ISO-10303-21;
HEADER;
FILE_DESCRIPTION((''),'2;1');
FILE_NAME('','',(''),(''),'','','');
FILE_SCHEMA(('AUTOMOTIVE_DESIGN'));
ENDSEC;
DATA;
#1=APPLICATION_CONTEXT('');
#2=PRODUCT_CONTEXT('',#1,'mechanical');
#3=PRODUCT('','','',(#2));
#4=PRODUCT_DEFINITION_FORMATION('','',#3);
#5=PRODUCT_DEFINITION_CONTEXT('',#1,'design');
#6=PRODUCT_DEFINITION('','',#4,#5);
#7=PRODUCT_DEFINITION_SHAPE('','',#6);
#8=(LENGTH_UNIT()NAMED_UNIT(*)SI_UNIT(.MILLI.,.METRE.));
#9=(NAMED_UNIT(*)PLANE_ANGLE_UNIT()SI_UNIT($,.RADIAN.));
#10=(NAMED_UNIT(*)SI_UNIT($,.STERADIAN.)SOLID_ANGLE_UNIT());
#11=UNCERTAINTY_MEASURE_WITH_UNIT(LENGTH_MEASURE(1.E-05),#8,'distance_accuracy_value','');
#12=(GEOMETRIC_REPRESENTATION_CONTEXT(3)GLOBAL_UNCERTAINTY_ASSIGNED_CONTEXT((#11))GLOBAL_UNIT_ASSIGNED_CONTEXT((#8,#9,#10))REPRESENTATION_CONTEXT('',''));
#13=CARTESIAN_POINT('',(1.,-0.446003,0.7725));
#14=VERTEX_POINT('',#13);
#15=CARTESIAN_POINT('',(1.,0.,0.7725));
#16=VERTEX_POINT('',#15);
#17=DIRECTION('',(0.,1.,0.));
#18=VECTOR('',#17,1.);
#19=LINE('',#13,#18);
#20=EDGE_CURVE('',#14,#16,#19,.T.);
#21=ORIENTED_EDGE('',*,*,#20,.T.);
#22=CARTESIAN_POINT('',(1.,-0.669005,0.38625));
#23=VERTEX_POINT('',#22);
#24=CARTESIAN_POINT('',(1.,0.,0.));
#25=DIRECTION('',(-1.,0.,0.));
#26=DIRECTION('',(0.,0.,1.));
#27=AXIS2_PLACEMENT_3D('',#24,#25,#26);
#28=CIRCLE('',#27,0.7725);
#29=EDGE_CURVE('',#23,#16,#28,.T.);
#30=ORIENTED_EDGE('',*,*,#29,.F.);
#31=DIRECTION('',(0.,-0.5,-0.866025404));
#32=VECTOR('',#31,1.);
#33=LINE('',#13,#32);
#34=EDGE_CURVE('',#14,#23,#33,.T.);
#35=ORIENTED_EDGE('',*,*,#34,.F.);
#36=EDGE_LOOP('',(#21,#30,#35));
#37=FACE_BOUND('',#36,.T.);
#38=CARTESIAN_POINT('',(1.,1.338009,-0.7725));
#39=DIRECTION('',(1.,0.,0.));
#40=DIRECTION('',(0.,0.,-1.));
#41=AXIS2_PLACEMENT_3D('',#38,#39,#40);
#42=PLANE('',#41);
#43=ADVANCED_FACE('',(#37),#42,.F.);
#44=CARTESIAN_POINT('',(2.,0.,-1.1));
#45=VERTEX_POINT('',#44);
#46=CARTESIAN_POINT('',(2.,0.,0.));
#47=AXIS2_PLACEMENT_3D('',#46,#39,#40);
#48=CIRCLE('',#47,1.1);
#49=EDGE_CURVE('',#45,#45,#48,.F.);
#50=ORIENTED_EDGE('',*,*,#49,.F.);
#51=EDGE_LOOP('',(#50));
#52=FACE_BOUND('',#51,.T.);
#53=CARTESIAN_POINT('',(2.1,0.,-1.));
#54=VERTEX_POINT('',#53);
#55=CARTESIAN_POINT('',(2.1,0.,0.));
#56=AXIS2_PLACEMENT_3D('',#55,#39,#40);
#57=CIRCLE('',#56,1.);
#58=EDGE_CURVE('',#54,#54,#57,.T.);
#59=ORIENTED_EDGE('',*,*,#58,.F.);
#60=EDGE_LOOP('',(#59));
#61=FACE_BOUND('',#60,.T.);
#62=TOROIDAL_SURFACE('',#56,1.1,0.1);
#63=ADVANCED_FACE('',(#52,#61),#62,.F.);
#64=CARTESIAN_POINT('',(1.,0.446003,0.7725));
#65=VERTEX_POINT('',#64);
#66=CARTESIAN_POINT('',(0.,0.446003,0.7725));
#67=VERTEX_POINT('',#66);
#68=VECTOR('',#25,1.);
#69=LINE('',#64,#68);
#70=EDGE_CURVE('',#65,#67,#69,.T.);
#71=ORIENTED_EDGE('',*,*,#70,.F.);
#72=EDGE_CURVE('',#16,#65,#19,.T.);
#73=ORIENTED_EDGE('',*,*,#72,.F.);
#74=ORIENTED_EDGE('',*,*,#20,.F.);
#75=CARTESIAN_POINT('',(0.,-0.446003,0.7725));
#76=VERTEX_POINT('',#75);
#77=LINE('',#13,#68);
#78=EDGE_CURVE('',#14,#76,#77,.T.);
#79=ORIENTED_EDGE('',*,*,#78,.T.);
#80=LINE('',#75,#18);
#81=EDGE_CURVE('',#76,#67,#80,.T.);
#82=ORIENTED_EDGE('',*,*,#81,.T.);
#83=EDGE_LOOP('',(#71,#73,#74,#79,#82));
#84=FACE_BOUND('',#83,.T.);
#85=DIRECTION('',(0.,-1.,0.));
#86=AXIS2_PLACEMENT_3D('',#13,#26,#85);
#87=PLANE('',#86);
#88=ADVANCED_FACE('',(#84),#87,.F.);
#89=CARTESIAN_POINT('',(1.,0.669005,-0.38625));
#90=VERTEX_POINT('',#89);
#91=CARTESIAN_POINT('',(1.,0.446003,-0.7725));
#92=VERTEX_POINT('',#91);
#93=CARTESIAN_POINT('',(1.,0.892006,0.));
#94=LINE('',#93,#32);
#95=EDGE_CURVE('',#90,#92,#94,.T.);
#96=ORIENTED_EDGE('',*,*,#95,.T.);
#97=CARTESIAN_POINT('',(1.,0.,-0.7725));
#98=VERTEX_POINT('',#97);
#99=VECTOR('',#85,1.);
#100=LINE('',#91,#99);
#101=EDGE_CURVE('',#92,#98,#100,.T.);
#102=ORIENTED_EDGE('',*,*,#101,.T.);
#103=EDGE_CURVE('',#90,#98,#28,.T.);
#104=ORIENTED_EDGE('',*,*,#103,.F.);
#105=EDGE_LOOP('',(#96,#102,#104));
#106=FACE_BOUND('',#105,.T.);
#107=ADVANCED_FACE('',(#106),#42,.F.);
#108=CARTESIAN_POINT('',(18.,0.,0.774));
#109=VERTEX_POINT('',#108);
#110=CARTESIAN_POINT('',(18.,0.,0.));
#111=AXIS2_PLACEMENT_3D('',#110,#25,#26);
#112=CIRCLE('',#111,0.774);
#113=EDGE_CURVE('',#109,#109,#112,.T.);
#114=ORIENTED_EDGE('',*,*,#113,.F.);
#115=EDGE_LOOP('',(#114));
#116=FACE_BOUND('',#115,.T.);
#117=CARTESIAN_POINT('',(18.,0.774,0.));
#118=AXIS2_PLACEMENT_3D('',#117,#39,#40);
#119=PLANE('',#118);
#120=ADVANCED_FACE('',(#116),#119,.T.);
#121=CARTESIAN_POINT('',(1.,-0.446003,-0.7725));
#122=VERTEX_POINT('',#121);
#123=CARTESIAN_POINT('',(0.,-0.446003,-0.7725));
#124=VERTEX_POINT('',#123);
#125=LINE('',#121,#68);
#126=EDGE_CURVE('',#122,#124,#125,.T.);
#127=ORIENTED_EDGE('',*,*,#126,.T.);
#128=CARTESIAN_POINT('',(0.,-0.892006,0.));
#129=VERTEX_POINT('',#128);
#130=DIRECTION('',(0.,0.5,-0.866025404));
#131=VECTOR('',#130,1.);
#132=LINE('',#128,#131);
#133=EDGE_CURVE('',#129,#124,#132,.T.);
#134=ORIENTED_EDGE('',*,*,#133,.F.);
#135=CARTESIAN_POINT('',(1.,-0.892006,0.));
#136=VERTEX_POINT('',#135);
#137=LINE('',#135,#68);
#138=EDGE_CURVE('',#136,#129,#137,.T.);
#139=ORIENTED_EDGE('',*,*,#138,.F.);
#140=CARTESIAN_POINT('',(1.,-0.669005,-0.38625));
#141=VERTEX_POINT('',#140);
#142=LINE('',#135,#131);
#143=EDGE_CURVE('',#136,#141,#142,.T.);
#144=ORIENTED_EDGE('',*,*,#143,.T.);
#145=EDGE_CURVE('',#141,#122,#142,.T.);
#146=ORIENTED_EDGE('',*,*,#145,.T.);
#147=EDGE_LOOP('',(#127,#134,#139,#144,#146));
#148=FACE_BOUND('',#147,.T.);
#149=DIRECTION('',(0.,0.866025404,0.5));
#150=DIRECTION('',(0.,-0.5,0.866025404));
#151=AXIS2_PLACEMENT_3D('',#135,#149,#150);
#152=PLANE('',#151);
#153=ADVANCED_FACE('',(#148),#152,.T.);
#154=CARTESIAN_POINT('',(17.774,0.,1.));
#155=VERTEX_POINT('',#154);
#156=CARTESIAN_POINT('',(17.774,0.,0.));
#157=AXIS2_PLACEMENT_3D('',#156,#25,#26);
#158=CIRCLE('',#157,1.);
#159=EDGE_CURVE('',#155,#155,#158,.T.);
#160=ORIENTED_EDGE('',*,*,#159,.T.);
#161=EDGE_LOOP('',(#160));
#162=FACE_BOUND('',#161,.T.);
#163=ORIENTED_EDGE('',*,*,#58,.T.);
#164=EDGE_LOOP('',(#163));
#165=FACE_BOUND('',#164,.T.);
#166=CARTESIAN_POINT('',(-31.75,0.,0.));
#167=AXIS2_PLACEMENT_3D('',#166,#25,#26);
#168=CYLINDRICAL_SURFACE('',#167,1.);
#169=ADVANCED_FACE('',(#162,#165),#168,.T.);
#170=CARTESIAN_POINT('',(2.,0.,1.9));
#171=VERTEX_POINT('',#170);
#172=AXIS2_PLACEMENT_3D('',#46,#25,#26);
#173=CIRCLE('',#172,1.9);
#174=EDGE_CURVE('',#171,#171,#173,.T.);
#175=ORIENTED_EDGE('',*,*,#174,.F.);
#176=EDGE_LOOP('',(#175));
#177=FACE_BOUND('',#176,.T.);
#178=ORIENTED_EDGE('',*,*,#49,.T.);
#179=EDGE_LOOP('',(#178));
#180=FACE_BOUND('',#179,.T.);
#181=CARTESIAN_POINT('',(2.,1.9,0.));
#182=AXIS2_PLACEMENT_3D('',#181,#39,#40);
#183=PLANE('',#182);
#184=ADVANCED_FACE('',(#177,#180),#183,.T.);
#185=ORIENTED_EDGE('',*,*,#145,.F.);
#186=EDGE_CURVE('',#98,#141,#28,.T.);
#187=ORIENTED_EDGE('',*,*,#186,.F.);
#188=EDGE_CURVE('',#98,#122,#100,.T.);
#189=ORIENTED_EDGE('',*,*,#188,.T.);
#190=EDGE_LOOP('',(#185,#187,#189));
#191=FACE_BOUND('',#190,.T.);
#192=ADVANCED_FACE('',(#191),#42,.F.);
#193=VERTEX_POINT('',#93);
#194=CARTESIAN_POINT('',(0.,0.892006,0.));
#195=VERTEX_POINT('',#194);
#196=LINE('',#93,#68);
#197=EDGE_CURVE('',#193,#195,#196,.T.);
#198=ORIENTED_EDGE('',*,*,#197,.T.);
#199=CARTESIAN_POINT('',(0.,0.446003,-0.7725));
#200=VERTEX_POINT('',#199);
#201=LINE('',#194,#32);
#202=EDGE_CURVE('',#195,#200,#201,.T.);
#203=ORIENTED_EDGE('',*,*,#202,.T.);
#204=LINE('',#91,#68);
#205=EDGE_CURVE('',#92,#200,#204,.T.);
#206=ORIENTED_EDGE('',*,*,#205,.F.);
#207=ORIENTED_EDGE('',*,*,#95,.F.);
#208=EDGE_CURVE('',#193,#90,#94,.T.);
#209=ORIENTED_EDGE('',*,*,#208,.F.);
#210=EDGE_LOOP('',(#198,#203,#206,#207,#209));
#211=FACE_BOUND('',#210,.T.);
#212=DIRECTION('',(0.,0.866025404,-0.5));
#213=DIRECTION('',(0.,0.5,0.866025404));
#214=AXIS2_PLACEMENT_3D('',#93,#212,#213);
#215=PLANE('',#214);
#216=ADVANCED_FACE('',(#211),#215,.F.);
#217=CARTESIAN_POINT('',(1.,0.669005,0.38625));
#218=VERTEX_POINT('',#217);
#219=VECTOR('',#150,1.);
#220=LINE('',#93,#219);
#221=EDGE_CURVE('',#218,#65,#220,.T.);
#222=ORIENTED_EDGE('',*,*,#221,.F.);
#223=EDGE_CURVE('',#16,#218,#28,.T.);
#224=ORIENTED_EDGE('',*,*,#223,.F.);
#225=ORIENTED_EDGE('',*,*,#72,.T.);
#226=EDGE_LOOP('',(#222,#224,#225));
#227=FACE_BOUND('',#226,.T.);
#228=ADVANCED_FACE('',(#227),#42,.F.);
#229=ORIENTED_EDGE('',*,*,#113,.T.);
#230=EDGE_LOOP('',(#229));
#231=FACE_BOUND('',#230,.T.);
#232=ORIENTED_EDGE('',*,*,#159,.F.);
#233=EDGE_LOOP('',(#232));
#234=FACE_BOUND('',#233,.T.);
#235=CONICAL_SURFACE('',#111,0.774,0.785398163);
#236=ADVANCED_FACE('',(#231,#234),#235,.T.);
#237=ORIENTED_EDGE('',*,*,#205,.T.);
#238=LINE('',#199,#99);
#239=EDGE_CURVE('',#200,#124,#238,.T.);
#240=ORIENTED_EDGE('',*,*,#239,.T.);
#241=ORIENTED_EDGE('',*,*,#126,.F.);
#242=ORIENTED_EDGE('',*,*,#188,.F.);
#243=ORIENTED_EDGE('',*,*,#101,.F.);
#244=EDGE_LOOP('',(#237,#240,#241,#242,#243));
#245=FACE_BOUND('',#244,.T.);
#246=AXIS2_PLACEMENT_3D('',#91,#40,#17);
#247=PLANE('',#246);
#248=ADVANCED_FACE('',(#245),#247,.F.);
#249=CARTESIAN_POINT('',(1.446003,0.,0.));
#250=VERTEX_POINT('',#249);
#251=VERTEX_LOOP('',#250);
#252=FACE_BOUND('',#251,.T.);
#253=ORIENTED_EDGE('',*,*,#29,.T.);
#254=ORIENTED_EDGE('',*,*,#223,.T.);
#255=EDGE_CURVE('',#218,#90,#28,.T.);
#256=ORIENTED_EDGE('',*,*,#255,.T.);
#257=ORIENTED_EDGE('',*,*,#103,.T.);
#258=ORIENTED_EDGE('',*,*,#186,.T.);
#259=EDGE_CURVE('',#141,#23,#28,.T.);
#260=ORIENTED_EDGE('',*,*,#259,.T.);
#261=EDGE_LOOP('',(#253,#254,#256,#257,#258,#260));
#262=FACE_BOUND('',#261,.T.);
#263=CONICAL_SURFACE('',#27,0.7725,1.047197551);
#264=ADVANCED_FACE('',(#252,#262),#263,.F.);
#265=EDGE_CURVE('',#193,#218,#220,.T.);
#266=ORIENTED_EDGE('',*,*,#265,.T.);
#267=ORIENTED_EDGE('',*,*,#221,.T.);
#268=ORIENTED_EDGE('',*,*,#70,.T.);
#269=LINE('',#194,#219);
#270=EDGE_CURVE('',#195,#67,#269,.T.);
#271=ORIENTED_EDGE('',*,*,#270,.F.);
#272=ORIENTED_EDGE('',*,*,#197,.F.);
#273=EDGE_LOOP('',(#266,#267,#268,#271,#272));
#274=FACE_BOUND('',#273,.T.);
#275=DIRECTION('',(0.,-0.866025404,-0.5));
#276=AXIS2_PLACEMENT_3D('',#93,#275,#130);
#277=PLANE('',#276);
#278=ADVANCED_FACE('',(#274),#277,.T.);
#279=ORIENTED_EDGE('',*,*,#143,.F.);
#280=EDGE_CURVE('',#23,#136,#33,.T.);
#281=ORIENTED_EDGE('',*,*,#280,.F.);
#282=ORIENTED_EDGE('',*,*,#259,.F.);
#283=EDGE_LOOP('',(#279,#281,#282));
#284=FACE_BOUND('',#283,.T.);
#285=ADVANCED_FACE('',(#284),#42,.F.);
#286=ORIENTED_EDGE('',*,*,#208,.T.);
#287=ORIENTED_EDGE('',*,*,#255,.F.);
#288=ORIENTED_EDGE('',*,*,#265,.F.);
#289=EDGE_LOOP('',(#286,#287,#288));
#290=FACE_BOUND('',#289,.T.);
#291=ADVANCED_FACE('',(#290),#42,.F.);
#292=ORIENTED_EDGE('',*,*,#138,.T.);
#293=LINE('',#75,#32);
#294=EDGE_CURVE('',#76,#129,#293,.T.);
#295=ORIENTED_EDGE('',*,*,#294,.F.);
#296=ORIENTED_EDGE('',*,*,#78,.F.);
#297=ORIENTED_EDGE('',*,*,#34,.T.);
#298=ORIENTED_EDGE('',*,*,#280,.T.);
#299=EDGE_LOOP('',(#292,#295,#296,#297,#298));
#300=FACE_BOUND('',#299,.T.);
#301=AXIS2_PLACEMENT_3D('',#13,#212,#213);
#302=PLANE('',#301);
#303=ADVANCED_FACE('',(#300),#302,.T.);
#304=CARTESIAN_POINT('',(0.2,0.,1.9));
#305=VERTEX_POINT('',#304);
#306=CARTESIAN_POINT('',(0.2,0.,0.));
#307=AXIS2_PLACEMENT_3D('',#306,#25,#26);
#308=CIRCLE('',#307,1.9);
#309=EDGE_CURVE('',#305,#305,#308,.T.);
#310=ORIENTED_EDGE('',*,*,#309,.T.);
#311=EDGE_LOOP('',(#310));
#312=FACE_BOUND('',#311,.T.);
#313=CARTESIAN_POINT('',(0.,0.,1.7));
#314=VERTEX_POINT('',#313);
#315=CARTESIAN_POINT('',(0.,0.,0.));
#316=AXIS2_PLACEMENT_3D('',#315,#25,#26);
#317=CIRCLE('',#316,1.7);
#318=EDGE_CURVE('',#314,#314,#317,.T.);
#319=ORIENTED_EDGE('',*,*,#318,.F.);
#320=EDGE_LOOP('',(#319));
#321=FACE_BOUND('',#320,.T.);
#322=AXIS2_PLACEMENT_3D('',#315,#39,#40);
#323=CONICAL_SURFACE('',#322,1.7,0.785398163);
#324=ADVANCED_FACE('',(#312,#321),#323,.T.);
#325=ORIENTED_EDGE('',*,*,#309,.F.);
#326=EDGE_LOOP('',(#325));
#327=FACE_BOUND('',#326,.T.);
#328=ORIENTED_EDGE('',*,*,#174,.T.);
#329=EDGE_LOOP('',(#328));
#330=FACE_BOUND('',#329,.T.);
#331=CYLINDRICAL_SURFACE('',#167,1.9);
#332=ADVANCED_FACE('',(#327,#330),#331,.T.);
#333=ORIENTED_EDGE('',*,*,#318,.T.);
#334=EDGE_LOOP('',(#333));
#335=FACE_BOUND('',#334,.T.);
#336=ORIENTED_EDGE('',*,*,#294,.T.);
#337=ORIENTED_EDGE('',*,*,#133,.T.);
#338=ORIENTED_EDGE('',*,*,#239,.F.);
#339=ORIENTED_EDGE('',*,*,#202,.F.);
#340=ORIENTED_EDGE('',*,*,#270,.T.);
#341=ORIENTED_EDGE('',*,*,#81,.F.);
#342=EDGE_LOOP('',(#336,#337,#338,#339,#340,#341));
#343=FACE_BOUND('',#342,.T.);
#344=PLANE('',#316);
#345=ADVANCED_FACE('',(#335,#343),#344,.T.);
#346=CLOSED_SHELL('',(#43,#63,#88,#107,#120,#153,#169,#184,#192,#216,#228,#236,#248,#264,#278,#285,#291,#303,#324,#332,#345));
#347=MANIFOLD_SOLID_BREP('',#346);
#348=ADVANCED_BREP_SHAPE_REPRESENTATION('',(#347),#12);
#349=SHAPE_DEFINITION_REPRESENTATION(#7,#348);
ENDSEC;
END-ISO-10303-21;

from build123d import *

# Parameters (mm, degrees)
FILLET1_R   = 0.1
HEX_2_DEPTH = 1


with BuildPart() as part:
    # BodySke → Base-Revolve (revolve)
    with BuildSketch(Plane.XY):
        Polygon((0, 0), (0, 1.7), (0.2, 1.9), (2, 1.9), (2, 1), (17.774, 1), (18, 0.774), (18, 0), align=None)
    revolve(axis=Axis((-31.75, 0, 0), (1, 0, 0)))

    # Fillet1
    fillet1_edges = [part.edges().sort_by_distance(p)[0] for p in [
        (2, -1, 0),
    ]]
    fillet(fillet1_edges, radius=FILLET1_R)

    # Sketch2 → Hex-PreBroach (revolve, cut)
    with BuildSketch(Plane.XY):
        Polygon((0, 0.7725), (1, 0.7725), (1.446003083, 0), (0, 0), align=None)
    revolve(axis=Axis((0, 0, 0), (1, 0, 0)), mode=Mode.SUBTRACT)

    # Sketch3 → Hex 2 (cut)
    with BuildSketch(Plane(origin=(0, 0, 0), x_dir=(0, 0.5, 0.866025404), z_dir=(-1, 0, 0))):
        Polygon((0.446003083, 0.7725), (-0.446003083, 0.7725), (-0.892006166, 0), (-0.446003083, -0.7725), (0.446003083, -0.7725), (0.892006166, 0), align=None)
    extrude(amount=-HEX_2_DEPTH, mode=Mode.SUBTRACT)


solid = part.part
